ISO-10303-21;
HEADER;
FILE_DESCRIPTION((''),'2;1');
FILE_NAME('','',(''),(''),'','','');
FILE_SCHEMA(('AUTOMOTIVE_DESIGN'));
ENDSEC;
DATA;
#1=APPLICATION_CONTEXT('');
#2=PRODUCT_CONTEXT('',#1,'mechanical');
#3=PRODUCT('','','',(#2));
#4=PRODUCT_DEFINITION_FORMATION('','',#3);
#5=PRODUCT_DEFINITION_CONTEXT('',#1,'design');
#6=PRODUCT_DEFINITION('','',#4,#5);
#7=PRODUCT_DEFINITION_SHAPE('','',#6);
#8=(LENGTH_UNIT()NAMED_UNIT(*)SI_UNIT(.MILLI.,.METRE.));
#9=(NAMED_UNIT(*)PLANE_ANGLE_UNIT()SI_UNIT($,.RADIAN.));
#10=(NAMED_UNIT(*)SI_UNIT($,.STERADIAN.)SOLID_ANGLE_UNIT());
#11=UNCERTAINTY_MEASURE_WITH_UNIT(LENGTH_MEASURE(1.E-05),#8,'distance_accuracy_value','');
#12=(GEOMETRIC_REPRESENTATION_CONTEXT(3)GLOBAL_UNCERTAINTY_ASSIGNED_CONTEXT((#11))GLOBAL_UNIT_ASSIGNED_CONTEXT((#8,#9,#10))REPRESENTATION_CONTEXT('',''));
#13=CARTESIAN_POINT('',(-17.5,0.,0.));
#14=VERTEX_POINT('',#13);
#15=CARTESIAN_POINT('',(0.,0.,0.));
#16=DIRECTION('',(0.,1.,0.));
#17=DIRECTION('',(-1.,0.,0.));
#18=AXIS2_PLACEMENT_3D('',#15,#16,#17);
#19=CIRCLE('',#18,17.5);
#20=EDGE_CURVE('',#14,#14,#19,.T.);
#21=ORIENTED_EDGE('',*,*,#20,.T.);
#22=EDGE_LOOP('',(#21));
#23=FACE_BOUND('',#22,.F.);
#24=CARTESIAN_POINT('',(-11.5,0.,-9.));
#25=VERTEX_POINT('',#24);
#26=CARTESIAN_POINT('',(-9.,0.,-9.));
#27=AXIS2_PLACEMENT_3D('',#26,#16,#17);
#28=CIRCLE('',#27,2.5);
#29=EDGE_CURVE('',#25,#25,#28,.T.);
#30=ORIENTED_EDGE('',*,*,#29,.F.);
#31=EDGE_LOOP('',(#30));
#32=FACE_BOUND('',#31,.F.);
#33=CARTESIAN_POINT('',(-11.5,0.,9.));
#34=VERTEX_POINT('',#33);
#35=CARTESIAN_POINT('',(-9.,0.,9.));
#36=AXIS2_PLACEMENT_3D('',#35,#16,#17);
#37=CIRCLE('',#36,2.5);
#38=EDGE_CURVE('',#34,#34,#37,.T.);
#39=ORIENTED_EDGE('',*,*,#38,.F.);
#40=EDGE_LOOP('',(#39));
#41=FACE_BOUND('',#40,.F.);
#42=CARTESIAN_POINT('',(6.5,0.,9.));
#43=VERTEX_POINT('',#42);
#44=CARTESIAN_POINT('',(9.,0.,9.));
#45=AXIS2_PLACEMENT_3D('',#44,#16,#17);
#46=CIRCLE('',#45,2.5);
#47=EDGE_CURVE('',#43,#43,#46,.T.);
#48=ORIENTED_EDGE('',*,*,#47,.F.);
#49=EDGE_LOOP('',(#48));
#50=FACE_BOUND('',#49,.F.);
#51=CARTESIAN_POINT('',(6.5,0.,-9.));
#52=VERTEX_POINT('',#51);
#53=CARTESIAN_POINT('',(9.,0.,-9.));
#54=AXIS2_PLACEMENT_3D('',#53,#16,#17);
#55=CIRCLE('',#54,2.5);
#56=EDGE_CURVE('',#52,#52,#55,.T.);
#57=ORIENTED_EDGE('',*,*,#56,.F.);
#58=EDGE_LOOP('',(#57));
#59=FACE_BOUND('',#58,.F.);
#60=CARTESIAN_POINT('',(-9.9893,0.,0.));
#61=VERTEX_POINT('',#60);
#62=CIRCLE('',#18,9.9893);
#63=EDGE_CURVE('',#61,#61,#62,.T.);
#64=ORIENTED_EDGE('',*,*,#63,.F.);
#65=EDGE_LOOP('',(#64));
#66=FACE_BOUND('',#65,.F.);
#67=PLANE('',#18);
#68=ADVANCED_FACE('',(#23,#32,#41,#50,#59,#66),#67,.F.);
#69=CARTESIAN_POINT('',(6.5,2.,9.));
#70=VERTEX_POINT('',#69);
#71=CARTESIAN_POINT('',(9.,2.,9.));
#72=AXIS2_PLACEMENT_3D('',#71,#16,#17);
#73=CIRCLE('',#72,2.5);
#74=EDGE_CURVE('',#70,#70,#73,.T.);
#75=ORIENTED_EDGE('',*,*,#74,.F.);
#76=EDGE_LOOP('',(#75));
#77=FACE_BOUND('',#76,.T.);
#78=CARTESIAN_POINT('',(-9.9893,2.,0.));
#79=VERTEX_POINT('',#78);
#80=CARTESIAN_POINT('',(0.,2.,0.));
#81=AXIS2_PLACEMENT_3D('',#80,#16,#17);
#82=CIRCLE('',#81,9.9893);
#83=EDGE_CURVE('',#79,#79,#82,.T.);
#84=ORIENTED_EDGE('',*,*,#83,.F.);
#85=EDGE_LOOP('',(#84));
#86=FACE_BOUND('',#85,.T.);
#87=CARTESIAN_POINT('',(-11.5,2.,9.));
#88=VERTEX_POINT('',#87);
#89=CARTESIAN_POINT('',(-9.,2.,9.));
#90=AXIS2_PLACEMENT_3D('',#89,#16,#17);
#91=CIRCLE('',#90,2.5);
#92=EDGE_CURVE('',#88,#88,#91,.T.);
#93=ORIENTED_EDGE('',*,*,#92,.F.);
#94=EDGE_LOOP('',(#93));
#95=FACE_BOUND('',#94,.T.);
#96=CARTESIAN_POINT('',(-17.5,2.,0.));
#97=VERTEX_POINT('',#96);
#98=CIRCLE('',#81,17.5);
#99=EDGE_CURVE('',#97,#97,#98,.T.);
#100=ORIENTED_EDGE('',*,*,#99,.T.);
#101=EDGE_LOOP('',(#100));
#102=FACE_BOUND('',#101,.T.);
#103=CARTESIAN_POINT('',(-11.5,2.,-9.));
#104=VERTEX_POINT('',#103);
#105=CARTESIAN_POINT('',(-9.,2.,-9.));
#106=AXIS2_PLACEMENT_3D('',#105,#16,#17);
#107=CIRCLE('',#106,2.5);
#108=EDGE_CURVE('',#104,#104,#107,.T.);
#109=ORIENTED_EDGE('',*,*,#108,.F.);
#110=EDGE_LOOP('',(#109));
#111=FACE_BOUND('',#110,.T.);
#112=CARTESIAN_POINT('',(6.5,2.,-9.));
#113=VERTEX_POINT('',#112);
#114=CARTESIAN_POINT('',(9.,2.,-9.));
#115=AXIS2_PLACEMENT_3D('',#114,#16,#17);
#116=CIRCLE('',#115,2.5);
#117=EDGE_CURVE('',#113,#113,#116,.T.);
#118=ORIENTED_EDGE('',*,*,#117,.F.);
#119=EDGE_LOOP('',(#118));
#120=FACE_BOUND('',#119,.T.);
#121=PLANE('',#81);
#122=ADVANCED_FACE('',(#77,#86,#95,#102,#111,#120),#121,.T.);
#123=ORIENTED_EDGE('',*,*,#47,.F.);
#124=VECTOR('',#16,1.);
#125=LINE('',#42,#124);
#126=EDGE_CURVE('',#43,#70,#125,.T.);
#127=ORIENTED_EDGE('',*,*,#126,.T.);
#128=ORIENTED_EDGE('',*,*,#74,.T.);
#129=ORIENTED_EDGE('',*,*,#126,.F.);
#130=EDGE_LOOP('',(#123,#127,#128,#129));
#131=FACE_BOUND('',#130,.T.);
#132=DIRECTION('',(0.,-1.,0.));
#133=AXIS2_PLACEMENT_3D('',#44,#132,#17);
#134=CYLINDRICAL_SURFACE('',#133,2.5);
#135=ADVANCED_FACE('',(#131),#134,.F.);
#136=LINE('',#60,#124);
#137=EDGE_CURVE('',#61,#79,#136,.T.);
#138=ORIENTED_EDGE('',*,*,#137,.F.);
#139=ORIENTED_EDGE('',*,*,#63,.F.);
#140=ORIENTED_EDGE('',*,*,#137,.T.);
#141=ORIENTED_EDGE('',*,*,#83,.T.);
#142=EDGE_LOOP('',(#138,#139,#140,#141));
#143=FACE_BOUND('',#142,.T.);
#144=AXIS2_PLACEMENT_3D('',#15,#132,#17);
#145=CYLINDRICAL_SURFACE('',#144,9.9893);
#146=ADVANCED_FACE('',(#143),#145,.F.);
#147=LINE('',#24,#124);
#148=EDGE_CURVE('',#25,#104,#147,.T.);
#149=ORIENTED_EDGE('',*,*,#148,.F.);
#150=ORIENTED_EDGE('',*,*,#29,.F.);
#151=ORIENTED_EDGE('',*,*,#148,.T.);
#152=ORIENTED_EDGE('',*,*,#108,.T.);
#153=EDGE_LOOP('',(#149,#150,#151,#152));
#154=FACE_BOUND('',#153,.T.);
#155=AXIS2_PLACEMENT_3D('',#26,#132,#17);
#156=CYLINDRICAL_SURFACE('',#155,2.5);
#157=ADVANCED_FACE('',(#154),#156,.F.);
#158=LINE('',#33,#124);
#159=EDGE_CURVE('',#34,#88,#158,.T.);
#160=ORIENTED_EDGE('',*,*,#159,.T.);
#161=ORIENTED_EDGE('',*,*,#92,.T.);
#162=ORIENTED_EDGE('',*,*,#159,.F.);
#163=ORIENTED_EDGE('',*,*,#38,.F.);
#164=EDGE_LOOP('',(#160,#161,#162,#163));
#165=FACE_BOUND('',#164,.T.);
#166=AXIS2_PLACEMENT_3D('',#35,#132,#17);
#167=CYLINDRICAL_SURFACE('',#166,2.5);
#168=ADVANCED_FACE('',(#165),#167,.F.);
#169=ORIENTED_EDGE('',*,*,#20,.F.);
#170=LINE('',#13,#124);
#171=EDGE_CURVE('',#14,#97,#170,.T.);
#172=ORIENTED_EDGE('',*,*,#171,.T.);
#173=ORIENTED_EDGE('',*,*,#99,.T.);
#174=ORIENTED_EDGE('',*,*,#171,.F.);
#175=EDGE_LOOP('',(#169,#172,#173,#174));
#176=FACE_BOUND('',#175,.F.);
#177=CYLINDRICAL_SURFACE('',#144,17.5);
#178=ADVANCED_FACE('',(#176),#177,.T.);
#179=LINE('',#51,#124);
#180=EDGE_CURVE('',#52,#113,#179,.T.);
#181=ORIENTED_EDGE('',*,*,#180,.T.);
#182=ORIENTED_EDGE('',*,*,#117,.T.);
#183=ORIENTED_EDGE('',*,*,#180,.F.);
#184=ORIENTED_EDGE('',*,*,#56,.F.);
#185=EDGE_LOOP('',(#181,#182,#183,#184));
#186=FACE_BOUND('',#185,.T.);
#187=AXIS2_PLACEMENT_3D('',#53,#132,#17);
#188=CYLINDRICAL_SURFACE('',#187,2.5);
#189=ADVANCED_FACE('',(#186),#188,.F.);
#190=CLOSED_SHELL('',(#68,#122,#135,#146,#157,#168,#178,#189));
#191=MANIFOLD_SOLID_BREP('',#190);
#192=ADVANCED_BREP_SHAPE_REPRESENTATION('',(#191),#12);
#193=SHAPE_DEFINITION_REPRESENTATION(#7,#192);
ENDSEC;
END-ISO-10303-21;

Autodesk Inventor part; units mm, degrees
ref_plane "YZ Plane" through (0, 0, 0) normal (1, 0, 0) x (0, 1, 0)
ref_plane "XZ Plane" through (0, 0, 0) normal (0, 1, 0) x (-1, 0, 0)
ref_plane "XY Plane" through (0, 0, 0) normal (0, 0, 1) x (1, 0, 0)
sketch "Esquisse1" plane through (0, 0, 0) normal (0, 1, 0) x (-1, 0, 0)
  point P0 (0, 0)
sketch "Esquisse2" plane through (0, 0, 0) normal (0, 1, 0) x (-1, 0, 0)
  point P0 (0, 0)
sketch "Esquisse3" plane through (0, 0, 0) normal (0, 1, 0) x (-1, 0, 0)
  line L0 (-6.5, 6.5) -> (6.5, 6.5) construction
  line L1 (6.5, 6.5) -> (6.5, -6.5) construction
  line L2 (6.5, -6.5) -> (-6.5, -6.5) construction
  line L3 (-6.5, -6.5) -> (-6.5, 6.5) construction
  line L4 (-6.5, 6.5) -> (6.5, -6.5) construction
  line L5 (6.5, 6.5) -> (-6.5, -6.5) construction
  line L6 (-11.5, 11.5) -> (11.5, 11.5) construction
  line L7 (11.5, 11.5) -> (11.5, -11.5) construction
  line L8 (11.5, -11.5) -> (-11.5, -11.5) construction
  line L9 (-11.5, -11.5) -> (-11.5, 11.5) construction
  line L10 (-11.5, 11.5) -> (11.5, -11.5) construction
  line L11 (11.5, 11.5) -> (-11.5, -11.5) construction
  line L12 (-6.5, 6.5) -> (-11.5, 6.5) construction
  line L13 (-11.5, 6.5) -> (-11.5, 11.5) construction
  line L14 (-11.5, 11.5) -> (-6.5, 11.5) construction
  line L15 (-6.5, 11.5) -> (-6.5, 6.5) construction
  line L16 (-6.5, -6.5) -> (-11.5, -6.5) construction
  line L17 (-11.5, -6.5) -> (-11.5, -11.5) construction
  line L18 (-11.5, -11.5) -> (-6.5, -11.5) construction
  line L19 (-6.5, -11.5) -> (-6.5, -6.5) construction
  line L20 (6.5, -6.5) -> (11.5, -6.5) construction
  line L21 (11.5, -6.5) -> (11.5, -11.5) construction
  line L22 (11.5, -11.5) -> (6.5, -11.5) construction
  line L23 (6.5, -11.5) -> (6.5, -6.5) construction
  line L24 (11.5, 11.5) -> (6.5, 11.5) construction
  line L25 (6.5, 11.5) -> (6.5, 6.5) construction
  line L26 (6.5, 6.5) -> (11.5, 6.5) construction
  line L27 (11.5, 6.5) -> (11.5, 11.5) construction
  circle A0 centre (9, 9) radius 2.5
  circle A1 centre (9, -9) radius 2.5
  circle A2 centre (-9, -9) radius 2.5
  circle A3 centre (-9, 9) radius 2.5
  circle A4 centre (0, 0) radius 17.5
  circle A5 centre (0, 0) radius 9.9893
  dimension "d1" = 13
  dimension "d2" = 13
  dimension "d3" = 5
  dimension "d4" = 35
extrude "Extrusion1" add sketch "Esquisse3" along normal blind 2
properties part number "Pièce_moteur_maintient_test_1"
